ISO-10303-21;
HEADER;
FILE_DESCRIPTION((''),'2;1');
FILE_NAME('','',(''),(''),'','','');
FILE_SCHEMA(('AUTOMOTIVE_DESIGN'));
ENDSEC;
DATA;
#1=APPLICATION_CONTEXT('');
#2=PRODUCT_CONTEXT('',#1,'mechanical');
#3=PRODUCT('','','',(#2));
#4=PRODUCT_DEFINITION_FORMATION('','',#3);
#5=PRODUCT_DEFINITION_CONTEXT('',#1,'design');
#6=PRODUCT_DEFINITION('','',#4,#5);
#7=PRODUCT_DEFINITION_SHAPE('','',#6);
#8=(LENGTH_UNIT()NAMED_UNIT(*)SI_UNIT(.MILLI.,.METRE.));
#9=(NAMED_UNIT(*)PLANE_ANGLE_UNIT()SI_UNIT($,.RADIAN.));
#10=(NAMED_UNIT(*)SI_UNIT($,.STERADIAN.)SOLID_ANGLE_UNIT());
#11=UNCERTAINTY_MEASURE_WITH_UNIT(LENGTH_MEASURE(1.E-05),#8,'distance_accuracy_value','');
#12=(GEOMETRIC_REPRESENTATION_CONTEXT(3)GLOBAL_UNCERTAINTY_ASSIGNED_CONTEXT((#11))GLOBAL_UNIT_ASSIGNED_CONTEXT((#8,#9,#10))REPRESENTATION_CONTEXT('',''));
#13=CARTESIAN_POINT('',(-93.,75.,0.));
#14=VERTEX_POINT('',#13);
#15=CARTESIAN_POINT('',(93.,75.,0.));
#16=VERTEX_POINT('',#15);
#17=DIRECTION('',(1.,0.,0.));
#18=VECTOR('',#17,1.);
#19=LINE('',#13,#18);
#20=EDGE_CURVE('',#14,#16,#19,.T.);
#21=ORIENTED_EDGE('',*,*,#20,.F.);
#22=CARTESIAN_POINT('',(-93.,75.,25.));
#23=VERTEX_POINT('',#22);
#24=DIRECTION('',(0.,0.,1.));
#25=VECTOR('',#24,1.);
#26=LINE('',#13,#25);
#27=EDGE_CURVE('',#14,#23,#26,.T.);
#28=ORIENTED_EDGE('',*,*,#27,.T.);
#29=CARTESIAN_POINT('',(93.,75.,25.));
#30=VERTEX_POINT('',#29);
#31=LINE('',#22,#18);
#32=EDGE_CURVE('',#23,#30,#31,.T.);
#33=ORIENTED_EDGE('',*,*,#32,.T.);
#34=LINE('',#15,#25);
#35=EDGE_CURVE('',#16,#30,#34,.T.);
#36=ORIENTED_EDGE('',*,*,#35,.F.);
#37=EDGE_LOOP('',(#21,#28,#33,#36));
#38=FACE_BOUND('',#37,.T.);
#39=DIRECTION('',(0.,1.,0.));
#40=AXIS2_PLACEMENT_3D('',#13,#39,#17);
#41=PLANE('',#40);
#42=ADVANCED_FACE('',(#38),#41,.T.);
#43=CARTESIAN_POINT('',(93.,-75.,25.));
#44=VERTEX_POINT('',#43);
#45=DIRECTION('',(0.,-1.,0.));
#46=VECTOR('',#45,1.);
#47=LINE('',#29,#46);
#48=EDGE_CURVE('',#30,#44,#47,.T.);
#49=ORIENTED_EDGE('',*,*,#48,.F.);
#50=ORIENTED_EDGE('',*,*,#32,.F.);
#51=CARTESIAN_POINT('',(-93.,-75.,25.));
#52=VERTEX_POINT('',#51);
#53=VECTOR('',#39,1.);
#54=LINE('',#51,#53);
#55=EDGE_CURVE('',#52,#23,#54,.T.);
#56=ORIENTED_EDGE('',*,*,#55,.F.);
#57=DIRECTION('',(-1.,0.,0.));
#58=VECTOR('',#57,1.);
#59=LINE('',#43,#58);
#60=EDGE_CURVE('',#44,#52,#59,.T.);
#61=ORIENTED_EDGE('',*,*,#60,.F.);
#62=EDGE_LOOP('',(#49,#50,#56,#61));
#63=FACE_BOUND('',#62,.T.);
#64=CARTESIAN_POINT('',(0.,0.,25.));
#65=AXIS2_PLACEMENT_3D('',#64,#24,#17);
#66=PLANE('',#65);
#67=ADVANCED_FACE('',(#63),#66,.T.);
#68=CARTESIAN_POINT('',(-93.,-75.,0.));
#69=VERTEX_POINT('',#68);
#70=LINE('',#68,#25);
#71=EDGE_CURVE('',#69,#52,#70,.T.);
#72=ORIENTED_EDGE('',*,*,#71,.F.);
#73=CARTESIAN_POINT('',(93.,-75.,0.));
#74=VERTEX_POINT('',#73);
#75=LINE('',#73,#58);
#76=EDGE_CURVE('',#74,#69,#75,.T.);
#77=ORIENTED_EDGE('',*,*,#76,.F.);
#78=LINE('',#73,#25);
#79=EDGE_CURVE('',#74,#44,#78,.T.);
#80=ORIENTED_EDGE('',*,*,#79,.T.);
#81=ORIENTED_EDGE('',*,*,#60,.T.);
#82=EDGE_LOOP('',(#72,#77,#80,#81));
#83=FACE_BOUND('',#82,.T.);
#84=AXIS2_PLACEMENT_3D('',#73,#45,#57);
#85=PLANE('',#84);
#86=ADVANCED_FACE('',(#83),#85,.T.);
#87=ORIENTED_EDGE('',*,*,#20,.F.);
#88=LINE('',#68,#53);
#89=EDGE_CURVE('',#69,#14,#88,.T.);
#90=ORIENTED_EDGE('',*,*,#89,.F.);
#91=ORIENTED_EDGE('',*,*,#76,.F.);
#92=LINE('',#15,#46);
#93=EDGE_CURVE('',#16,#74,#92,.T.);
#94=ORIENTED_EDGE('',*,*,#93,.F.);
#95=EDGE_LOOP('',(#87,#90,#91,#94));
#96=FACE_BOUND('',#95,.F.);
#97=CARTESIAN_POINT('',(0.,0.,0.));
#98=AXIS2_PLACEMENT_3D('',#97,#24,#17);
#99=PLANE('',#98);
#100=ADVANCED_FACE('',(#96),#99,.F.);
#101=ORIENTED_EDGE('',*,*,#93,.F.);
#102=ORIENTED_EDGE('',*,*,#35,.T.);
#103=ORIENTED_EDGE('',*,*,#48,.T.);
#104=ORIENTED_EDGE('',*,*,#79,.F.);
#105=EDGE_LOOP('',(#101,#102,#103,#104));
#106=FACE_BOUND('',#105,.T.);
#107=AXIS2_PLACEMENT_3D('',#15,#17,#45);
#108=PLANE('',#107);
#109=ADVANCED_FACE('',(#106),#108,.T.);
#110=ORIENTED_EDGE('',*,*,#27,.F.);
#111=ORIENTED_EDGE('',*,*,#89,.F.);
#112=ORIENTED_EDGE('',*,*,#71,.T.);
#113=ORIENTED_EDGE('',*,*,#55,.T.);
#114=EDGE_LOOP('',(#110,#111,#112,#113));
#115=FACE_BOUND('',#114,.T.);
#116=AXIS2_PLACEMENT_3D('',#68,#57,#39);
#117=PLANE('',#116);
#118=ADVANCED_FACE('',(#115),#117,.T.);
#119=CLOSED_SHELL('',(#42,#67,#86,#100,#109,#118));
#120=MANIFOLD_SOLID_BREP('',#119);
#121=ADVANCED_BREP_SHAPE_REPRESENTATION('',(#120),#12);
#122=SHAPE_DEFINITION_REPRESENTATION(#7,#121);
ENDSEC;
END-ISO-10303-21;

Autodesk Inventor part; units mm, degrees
ref_plane "YZ Plane" through (0, 0, 0) normal (1, 0, 0) x (0, 1, 0)
ref_plane "XZ Plane" through (0, 0, 0) normal (0, 1, 0) x (-1, 0, 0)
ref_plane "XY Plane" through (0, 0, 0) normal (0, 0, 1) x (1, 0, 0)
sketch "Sketch1" plane through (0, 0, 0) normal (0, 0, 1) x (1, 0, 0)
  line L0 (-93, 75) -> (93, 75)
  line L1 (93, 75) -> (93, -75)
  line L2 (93, -75) -> (-93, -75)
  line L3 (-93, -75) -> (-93, 75)
  point P0 (0, 0)
  point P1 (0, 75)
  point P2 (-93, 0)
  dimension "d0" = 186
  dimension "d1" = 150
extrude "Extrusion1" add sketch "Sketch1" along normal blind 25
properties part number "Foam_Side" material "Polystyrene, Expanded"
